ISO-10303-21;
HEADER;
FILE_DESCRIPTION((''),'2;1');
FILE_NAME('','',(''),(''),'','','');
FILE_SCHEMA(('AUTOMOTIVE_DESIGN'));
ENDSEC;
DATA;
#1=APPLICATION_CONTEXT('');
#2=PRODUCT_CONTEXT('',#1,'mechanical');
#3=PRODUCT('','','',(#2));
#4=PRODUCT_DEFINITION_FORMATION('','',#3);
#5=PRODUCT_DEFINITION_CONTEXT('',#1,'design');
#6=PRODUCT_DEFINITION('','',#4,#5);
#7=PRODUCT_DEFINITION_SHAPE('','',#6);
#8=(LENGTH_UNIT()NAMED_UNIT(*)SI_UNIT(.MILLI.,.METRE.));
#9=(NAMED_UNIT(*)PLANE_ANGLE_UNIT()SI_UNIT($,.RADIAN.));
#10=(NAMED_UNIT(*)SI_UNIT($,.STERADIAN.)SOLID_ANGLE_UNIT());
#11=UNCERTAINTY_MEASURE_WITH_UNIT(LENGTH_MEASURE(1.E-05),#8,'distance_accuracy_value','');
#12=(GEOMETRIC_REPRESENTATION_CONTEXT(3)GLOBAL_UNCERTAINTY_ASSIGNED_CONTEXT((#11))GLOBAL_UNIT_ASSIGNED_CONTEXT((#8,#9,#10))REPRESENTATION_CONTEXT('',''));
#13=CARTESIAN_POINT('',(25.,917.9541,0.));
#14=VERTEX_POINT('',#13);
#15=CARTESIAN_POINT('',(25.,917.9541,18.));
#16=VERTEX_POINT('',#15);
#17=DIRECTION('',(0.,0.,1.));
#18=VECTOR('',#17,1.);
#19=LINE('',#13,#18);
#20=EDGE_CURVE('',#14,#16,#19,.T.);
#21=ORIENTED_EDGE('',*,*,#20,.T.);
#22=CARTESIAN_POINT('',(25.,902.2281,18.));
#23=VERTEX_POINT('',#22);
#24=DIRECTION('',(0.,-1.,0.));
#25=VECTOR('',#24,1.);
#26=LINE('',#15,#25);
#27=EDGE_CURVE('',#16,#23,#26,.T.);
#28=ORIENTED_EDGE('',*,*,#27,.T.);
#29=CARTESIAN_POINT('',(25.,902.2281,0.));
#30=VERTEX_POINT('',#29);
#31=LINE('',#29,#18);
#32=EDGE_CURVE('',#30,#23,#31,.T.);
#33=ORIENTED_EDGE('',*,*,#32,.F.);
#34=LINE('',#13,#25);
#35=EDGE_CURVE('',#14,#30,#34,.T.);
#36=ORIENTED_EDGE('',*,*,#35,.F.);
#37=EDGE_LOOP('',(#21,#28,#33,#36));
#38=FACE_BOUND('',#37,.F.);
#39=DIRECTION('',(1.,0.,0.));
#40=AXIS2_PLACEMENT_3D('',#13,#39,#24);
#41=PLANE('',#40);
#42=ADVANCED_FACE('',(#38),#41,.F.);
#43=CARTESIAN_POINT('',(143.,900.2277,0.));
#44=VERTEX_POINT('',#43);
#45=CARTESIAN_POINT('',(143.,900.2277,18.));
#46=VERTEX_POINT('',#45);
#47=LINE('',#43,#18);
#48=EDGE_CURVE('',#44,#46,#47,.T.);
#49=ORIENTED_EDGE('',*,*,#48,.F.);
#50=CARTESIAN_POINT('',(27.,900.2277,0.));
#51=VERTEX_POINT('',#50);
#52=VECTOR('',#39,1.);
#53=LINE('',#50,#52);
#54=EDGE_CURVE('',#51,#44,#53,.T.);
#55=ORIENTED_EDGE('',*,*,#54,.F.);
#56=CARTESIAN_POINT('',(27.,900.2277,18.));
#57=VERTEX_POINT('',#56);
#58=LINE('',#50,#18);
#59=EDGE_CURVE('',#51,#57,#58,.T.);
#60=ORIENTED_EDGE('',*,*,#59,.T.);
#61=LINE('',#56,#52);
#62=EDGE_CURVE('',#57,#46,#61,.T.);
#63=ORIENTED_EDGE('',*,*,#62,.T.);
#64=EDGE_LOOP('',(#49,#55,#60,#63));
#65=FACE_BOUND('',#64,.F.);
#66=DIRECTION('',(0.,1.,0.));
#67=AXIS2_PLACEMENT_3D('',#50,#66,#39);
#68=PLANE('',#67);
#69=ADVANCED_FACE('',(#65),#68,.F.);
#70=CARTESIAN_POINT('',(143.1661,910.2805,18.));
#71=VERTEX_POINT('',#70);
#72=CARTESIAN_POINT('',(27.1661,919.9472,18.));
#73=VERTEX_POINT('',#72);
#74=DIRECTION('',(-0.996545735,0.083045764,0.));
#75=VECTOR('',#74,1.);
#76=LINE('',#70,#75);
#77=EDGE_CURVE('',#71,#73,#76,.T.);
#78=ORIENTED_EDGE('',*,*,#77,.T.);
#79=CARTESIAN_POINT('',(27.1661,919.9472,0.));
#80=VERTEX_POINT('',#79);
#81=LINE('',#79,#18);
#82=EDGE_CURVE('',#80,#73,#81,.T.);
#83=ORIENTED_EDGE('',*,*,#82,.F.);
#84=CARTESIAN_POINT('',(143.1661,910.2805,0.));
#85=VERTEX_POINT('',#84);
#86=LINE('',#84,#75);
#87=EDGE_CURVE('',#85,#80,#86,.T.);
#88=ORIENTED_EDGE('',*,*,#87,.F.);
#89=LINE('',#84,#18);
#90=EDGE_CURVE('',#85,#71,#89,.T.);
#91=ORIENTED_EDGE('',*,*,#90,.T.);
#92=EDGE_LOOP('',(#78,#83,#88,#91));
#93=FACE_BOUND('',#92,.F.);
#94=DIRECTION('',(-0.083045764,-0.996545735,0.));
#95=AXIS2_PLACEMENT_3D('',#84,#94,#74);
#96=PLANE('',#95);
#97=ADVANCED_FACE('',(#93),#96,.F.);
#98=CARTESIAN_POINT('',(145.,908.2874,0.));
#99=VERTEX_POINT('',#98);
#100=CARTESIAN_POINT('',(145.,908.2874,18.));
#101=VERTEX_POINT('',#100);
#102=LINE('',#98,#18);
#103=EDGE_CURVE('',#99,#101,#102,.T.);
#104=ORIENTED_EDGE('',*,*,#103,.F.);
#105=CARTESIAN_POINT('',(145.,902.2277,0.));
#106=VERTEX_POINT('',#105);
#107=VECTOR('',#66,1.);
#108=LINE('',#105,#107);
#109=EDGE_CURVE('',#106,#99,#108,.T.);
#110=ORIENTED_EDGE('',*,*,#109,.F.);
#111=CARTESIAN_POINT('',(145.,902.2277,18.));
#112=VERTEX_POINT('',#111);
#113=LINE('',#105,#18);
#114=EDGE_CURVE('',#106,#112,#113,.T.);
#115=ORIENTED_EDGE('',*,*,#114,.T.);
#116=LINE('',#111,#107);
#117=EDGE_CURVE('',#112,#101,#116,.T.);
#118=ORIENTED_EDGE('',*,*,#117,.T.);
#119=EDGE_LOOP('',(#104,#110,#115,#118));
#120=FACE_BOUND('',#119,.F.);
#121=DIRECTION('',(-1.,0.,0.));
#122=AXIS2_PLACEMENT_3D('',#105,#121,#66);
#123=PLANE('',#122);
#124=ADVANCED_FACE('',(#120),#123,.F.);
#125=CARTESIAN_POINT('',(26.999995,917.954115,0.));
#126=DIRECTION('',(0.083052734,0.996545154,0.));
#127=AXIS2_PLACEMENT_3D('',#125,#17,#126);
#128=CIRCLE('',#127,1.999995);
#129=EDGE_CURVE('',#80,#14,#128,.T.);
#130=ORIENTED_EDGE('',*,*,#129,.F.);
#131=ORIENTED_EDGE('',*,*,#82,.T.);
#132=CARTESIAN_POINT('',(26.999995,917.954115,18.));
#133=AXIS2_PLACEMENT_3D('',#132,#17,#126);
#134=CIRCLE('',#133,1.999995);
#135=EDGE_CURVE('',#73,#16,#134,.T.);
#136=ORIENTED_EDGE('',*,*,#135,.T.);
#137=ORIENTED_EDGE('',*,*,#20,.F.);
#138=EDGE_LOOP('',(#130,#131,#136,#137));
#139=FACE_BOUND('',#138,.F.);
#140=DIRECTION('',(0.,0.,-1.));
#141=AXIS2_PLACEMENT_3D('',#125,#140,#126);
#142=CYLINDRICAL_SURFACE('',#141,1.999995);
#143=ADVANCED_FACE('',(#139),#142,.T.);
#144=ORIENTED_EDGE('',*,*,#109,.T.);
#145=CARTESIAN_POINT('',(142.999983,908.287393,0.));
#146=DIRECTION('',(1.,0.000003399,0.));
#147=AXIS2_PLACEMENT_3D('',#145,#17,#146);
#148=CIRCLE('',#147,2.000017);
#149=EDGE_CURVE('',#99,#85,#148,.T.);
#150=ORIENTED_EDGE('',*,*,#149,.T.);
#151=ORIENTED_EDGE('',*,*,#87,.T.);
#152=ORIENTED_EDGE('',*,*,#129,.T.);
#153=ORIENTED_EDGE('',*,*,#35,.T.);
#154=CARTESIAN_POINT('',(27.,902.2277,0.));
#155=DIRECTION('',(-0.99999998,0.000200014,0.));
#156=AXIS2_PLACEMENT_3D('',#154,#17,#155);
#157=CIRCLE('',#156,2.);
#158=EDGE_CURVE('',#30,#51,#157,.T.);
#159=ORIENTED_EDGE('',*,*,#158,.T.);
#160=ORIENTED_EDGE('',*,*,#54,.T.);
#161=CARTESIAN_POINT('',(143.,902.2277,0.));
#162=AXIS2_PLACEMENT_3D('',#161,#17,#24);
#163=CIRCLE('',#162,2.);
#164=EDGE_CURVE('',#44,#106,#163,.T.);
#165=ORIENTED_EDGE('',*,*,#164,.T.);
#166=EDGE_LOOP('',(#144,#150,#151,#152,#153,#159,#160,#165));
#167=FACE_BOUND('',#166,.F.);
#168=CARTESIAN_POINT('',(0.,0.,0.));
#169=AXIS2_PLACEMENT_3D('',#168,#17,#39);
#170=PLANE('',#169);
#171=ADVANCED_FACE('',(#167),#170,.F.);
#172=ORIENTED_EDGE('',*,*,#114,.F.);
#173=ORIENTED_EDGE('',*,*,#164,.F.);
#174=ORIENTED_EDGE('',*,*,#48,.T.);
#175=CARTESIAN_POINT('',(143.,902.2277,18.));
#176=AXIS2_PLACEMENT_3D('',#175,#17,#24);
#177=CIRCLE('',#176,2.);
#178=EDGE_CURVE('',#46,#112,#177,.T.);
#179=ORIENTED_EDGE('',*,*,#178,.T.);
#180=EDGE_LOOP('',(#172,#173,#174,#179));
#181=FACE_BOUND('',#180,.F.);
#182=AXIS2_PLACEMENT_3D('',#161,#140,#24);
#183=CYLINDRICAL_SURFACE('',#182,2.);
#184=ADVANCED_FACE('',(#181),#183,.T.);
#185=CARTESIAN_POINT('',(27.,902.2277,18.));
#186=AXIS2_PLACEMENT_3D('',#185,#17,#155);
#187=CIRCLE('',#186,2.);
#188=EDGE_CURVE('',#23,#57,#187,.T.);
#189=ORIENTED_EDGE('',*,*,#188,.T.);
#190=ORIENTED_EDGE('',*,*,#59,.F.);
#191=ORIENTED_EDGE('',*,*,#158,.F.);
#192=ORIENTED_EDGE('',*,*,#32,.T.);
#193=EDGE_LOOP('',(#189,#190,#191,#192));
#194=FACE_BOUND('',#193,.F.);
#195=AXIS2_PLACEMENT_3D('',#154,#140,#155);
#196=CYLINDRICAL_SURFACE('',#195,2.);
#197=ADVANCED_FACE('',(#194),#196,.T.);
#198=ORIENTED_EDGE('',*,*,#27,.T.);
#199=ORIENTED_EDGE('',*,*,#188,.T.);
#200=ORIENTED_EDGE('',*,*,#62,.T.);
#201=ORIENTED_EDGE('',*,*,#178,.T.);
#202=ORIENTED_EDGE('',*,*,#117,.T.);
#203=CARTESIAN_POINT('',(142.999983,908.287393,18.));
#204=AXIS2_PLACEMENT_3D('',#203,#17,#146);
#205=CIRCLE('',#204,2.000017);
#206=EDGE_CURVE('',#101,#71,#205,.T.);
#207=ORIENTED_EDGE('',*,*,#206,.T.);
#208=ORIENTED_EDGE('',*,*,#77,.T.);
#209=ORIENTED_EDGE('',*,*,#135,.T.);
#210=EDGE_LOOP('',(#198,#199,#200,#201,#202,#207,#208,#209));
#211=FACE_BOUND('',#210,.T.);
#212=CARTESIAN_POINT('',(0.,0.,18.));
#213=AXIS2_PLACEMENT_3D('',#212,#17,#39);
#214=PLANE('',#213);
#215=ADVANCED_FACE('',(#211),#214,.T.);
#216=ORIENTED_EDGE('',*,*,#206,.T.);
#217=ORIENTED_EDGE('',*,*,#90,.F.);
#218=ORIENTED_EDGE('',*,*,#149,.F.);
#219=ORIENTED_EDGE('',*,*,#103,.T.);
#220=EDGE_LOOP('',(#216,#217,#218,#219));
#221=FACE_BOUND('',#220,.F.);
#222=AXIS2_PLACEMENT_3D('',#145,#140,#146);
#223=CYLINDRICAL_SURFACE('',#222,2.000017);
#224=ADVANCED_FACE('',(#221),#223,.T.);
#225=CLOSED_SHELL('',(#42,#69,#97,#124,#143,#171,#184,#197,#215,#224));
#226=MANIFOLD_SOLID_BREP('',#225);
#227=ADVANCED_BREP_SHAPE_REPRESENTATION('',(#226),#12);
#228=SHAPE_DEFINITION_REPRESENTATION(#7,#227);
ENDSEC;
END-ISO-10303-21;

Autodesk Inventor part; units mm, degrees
ref_plane "YZ Plane" through (0, 0, 0) normal (1, 0, 0) x (0, 1, 0)
ref_plane "XZ Plane" through (0, 0, 0) normal (0, 1, 0) x (-1, 0, 0)
ref_plane "XY Plane" through (0, 0, 0) normal (0, 0, 1) x (1, 0, 0)
sketch "CONTOURS" plane through (0, 0, 0) normal (0, 0, 1) x (1, 0, 0)
  line L0 (25, 917.9541) -> (25, 902.2281)
  arc A0 (25, 902.2281) -> (27, 900.2277) centre (27, 902.2277) ccw
  line L1 (27, 900.2277) -> (143, 900.2277)
  arc A1 (143, 900.2277) -> (145, 902.2277) centre (143, 902.2277) ccw
  line L2 (145, 902.2277) -> (145, 908.2874)
  arc A2 (145, 908.2874) -> (143.1661, 910.2805) centre (143, 908.2874) ccw
  line L3 (143.1661, 910.2805) -> (27.1661, 919.9472)
  arc A3 (27.1661, 919.9472) -> (25, 917.9541) centre (27, 917.9541) ccw
extrude "Extrusion1" add sketch "CONTOURS" along normal blind 18
properties part number "Wedge" material "Wood (Birch)"
